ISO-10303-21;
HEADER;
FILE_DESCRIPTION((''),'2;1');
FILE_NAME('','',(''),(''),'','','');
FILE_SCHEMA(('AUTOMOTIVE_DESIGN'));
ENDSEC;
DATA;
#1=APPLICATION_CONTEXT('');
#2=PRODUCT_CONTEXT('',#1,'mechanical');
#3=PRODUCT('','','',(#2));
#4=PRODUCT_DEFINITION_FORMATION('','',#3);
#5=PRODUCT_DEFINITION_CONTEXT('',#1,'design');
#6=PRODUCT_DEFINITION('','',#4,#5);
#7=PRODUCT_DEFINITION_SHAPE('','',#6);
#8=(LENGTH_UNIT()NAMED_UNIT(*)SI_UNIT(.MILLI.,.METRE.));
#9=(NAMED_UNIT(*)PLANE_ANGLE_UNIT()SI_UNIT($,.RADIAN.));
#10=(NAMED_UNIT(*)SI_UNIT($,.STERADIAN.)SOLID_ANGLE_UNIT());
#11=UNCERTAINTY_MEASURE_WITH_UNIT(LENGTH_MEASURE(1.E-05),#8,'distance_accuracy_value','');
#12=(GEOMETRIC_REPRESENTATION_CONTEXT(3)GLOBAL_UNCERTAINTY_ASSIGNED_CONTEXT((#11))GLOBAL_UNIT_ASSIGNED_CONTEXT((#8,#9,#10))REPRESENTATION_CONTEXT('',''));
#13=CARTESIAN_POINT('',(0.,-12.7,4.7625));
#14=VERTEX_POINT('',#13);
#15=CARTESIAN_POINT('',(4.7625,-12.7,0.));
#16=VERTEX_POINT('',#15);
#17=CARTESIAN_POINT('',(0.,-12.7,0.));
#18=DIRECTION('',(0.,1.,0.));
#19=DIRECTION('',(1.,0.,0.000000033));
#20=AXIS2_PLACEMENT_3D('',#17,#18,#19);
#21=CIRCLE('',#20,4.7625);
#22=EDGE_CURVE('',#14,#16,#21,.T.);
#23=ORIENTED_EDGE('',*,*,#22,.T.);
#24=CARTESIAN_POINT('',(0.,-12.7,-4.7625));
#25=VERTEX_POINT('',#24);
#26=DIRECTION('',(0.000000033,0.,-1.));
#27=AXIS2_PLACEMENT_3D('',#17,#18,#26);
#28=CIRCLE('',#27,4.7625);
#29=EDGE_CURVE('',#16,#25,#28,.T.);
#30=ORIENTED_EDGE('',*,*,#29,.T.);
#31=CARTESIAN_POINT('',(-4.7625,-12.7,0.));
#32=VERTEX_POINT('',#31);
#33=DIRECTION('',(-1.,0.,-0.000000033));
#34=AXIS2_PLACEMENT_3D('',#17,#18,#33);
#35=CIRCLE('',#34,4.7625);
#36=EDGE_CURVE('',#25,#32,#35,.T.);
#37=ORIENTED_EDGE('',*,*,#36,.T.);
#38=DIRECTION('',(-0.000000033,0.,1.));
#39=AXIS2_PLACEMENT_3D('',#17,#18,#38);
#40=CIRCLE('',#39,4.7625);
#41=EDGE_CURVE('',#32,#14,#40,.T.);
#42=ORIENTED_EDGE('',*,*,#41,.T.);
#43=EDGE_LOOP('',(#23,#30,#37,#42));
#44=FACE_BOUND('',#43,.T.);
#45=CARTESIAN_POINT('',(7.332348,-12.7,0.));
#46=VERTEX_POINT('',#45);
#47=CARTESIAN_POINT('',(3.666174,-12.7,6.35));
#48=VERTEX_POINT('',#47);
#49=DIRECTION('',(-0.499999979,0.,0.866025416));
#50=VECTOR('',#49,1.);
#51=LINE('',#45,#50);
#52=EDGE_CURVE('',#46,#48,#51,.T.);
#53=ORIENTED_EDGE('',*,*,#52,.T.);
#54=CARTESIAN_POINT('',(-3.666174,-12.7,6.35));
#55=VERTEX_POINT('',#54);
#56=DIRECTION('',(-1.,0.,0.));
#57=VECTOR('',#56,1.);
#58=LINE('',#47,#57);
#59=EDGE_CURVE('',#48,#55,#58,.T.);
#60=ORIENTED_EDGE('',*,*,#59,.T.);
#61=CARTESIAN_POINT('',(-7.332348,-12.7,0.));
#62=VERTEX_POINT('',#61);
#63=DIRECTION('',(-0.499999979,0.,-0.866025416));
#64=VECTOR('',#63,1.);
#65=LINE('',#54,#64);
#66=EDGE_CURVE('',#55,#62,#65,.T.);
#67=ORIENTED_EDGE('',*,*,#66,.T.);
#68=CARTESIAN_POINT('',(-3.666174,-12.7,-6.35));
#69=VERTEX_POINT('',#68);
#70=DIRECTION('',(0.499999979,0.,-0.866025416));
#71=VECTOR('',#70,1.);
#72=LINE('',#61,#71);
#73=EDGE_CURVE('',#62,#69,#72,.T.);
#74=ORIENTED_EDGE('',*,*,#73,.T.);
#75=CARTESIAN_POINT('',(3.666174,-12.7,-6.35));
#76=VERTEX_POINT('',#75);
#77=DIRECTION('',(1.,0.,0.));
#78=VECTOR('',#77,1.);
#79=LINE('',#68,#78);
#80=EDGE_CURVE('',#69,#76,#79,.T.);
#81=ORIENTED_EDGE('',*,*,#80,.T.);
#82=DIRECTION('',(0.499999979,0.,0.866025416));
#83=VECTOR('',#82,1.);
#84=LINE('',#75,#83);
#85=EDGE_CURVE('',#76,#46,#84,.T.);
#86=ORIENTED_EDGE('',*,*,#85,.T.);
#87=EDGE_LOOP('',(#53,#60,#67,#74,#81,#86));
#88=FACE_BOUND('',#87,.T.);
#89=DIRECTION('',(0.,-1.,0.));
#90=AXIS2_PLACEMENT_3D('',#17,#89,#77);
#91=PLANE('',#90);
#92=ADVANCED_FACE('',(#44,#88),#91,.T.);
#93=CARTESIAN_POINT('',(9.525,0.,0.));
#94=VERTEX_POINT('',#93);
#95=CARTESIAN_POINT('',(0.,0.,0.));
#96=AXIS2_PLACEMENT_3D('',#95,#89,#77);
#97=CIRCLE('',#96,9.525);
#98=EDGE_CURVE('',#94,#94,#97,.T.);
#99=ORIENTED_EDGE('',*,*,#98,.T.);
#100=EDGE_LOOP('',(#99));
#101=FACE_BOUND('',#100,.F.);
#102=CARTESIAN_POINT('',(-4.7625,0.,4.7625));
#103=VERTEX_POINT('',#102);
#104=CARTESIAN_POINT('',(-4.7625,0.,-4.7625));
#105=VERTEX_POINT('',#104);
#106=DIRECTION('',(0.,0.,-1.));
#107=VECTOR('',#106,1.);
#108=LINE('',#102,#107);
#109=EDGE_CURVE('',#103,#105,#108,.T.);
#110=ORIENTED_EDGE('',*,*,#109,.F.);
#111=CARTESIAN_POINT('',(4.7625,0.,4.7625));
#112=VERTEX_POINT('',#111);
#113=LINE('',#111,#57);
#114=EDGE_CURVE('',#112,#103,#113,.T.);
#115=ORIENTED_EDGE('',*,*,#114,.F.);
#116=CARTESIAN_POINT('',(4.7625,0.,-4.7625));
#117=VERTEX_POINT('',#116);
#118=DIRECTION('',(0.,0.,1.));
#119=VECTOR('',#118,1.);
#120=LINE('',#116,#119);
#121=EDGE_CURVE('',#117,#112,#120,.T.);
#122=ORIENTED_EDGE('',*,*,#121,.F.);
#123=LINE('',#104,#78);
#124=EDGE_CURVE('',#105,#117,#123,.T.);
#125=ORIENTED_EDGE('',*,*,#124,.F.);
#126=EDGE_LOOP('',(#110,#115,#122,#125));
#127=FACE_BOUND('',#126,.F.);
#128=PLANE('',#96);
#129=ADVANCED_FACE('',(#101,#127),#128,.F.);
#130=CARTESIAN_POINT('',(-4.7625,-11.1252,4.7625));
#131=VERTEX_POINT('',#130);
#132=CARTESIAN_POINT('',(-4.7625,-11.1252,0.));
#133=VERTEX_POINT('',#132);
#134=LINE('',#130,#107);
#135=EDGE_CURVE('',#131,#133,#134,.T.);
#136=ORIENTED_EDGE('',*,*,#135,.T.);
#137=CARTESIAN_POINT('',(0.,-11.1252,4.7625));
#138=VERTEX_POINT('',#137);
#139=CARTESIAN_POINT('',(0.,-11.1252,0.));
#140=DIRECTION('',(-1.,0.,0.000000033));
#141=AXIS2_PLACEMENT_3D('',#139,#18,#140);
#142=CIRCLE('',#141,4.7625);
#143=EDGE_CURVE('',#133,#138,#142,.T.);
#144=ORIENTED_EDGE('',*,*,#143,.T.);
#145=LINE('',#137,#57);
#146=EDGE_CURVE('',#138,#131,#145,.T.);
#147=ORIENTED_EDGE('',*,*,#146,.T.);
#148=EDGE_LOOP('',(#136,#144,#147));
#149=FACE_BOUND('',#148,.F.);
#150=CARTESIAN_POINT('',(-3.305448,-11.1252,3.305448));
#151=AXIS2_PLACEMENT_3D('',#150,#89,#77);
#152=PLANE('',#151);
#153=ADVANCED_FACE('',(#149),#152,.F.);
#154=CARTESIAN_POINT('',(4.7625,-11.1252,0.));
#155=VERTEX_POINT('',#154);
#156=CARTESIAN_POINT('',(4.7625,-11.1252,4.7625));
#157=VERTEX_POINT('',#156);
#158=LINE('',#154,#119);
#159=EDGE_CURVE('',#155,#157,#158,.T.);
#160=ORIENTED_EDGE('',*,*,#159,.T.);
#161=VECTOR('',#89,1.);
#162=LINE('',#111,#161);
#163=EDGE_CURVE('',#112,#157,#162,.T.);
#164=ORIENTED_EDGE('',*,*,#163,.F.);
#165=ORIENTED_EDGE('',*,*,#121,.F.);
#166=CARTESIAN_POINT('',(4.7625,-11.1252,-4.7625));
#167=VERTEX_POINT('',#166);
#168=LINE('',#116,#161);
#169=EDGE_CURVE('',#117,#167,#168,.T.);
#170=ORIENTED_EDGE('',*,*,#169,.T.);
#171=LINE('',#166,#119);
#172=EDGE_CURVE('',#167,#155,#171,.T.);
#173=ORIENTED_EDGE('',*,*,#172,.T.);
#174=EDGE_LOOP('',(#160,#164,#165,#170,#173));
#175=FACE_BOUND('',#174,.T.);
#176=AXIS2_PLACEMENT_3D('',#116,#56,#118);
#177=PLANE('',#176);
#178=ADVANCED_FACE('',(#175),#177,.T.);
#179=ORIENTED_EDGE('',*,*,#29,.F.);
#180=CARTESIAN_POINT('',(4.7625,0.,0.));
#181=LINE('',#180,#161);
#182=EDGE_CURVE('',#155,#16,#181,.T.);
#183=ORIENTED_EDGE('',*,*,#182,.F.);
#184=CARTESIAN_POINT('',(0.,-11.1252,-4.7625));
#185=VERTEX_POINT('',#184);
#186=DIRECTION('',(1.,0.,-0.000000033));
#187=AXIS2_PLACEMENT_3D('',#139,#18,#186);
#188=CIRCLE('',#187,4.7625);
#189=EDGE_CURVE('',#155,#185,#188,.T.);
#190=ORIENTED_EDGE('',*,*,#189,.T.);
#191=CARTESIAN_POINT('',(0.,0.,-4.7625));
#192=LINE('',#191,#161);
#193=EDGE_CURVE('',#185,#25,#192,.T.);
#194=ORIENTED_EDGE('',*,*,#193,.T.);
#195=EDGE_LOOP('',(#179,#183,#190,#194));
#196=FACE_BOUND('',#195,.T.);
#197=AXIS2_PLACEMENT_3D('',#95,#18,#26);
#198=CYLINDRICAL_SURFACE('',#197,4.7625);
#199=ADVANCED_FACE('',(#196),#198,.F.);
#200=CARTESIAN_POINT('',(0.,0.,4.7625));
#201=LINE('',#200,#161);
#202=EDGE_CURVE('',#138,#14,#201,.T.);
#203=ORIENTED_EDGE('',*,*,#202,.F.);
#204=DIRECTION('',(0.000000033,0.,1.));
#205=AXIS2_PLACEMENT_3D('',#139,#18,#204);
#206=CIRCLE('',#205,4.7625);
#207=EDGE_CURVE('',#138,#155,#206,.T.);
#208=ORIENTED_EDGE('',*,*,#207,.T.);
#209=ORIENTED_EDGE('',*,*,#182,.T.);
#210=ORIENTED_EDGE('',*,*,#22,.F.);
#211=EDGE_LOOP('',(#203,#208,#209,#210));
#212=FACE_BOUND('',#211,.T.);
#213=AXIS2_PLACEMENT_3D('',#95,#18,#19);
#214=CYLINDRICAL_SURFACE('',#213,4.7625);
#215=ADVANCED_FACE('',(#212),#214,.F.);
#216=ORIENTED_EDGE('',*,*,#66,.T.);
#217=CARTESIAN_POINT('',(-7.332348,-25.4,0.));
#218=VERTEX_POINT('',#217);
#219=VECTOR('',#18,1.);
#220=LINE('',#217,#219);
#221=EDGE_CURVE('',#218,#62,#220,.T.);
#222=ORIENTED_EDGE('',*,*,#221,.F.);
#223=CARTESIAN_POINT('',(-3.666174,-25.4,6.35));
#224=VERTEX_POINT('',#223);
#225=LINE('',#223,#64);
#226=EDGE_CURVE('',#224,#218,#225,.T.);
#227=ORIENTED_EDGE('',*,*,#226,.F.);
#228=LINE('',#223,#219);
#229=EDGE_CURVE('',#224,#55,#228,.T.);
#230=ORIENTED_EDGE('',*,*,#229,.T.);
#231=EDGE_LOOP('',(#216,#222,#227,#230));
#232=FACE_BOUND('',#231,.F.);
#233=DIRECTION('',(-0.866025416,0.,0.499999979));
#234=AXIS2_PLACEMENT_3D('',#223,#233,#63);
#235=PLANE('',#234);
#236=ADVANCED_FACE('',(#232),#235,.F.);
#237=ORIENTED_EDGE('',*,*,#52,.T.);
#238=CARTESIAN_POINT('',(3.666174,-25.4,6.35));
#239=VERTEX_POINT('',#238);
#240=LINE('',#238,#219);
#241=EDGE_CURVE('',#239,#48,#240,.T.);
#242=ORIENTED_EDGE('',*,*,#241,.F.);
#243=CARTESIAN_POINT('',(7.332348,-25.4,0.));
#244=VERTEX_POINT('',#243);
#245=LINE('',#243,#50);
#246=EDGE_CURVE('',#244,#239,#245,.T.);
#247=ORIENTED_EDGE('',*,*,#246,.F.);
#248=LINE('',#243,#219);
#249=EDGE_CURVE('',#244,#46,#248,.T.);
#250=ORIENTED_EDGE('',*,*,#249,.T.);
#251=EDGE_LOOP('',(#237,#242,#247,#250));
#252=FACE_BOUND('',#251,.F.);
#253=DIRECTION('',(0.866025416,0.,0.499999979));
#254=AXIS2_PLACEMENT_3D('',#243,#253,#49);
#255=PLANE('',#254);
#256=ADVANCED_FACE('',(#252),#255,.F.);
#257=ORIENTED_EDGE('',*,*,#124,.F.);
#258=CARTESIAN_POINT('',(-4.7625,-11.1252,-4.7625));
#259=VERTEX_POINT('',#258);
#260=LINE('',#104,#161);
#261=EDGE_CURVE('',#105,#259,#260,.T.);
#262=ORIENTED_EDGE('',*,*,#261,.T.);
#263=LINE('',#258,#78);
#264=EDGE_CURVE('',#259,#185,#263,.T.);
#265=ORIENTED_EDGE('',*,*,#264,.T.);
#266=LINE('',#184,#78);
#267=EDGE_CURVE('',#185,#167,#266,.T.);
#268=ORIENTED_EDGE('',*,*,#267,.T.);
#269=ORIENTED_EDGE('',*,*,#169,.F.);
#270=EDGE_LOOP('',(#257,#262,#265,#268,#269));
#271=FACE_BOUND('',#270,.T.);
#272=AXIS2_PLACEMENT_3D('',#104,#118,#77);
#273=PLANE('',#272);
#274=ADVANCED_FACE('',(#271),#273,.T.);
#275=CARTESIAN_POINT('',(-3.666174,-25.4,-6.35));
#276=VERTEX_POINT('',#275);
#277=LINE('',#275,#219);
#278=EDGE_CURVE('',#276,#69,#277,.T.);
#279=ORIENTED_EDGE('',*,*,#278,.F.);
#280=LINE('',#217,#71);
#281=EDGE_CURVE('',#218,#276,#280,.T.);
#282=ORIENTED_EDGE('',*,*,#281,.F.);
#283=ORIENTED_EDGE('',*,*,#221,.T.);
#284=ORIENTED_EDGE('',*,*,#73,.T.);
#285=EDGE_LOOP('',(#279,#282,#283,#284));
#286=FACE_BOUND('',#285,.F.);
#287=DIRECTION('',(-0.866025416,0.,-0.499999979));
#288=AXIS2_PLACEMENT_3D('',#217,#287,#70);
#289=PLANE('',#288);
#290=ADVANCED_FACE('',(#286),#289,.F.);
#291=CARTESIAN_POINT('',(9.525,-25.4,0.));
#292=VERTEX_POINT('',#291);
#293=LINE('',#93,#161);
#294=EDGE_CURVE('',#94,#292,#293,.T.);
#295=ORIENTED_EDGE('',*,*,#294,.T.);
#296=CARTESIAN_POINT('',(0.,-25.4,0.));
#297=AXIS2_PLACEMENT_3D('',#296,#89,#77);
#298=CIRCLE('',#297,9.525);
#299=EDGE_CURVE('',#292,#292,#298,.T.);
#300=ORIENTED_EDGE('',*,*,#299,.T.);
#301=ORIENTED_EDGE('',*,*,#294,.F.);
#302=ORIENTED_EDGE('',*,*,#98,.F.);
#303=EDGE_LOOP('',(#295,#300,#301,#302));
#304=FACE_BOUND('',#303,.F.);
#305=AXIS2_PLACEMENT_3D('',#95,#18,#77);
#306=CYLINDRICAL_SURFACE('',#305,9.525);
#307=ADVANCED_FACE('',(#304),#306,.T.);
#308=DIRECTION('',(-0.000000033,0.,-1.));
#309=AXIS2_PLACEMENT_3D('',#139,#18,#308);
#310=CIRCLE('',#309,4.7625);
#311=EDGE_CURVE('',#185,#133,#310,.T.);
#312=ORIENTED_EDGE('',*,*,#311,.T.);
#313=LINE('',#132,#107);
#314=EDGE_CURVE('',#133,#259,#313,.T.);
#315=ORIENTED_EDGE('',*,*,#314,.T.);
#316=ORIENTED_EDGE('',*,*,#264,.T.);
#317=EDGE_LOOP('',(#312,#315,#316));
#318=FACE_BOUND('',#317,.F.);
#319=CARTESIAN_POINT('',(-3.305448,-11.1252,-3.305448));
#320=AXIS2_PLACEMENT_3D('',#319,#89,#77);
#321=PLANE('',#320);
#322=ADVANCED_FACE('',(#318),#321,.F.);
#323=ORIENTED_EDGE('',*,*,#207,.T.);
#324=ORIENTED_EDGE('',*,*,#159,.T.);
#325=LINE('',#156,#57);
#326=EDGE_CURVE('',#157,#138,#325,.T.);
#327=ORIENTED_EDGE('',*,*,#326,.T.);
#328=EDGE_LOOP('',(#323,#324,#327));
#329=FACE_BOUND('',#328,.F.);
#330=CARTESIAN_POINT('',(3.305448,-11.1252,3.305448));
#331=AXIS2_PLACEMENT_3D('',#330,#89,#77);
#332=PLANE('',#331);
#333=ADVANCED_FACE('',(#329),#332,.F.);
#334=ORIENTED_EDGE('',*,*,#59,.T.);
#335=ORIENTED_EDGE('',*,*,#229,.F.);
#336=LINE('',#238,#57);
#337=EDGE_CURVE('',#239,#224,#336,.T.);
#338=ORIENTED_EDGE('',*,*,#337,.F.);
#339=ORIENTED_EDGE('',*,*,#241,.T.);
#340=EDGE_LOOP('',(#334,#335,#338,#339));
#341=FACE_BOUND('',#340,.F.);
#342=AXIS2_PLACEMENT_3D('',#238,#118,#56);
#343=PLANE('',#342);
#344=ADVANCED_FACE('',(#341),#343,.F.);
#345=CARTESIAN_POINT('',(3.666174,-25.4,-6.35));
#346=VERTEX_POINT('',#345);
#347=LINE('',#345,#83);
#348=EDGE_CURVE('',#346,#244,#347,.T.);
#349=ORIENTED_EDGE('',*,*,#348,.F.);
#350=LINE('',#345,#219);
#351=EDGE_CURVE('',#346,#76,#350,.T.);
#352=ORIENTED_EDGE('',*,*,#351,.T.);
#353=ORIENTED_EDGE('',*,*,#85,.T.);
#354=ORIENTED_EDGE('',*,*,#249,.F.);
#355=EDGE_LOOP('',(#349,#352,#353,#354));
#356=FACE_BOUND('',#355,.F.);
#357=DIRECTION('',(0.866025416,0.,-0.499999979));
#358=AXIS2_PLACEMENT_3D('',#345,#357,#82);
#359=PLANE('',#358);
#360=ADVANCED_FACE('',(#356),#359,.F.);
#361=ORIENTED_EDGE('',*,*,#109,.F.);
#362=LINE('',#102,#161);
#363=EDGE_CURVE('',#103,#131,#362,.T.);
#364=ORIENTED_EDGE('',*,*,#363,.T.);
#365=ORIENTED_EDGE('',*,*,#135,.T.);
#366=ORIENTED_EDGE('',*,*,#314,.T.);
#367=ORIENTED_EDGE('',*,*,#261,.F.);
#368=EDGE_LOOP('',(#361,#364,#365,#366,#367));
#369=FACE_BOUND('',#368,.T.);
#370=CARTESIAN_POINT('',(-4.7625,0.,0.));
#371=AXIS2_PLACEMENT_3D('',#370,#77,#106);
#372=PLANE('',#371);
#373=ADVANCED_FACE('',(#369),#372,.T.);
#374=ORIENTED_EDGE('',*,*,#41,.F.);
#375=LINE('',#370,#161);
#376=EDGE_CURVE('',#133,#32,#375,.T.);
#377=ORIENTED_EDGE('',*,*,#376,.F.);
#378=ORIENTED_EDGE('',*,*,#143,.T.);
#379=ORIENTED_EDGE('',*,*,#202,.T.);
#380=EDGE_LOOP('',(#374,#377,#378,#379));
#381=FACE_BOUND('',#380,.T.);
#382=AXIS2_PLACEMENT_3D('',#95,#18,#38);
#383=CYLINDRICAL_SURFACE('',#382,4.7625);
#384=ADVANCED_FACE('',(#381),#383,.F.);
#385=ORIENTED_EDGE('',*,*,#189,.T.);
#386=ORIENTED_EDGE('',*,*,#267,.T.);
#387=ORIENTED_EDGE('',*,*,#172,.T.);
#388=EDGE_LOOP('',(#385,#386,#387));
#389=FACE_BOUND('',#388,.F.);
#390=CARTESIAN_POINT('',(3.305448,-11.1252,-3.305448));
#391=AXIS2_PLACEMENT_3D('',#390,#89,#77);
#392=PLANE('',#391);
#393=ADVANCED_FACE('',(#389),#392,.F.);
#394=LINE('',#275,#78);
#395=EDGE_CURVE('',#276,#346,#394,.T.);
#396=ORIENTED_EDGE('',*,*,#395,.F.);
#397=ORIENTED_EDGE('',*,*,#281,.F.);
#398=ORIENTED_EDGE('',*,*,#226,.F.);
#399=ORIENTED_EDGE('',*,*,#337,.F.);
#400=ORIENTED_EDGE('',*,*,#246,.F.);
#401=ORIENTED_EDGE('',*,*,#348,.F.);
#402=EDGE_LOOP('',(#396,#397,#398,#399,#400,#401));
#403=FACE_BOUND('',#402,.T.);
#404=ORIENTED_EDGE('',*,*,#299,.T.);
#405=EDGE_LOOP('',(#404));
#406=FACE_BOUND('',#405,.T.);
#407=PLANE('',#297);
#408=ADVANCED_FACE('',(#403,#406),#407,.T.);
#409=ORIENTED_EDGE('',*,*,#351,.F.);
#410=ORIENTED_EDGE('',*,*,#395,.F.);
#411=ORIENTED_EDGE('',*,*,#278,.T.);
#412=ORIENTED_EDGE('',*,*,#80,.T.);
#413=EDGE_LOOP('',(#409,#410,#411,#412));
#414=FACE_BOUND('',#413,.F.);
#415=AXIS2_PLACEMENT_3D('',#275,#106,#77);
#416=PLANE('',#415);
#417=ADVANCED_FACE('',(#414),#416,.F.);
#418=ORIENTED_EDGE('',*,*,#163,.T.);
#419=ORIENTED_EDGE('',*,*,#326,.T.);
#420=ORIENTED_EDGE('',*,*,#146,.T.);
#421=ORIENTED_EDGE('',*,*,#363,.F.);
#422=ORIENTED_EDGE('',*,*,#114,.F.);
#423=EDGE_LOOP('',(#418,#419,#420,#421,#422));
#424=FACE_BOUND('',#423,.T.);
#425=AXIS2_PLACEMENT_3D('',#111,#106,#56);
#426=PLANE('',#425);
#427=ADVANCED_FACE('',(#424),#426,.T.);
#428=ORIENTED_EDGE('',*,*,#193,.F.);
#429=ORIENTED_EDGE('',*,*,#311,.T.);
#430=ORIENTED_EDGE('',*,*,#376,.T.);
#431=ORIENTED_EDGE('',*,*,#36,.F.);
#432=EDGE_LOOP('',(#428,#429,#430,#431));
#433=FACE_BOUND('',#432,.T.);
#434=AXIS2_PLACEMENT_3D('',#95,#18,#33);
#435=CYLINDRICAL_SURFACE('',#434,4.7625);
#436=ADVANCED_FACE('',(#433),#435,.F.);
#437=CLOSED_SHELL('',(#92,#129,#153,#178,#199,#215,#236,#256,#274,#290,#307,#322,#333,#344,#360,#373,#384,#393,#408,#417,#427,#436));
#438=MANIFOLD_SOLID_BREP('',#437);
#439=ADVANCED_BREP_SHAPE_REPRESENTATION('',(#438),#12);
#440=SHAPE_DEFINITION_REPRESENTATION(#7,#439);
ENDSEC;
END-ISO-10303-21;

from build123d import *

# Parameters (mm, degrees)
F0_R     = 9.525
F1_DEPTH = 25.4
F3_DEPTH = 25.401
F4_DEPTH = 11.1252
F6_DEPTH = 12.7


with BuildPart() as f1:
    # F0 (on Front) → F1 (new body)
    with BuildSketch(Plane.XZ):
        Circle(F0_R)
    extrude(amount=F1_DEPTH)

    # F2 (on Front) → F3 (cut, through all)
    with BuildSketch(Plane.XZ):
        with BuildLine():
            ThreePointArc((-4.7625, 0), (-3.367596, -3.367596), (0, -4.7625))
            ThreePointArc((0, -4.7625), (3.367596, -3.367596), (4.7625, 0))
            ThreePointArc((4.7625, 0), (3.367596, 3.367596), (0, 4.7625))
            ThreePointArc((0, 4.7625), (-3.367596, 3.367596), (-4.7625, 0))
        make_face()
    extrude(amount=F3_DEPTH, mode=Mode.SUBTRACT)

    # F2 (on Front) → F4 (cut)
    with BuildSketch(Plane.XZ):
        with BuildLine():
            ThreePointArc((0, 4.7625), (3.367596, 3.367596), (4.7625, 0))
            Line((4.7625, 0), (4.7625, 4.7625))
            Line((4.7625, 4.7625), (0, 4.7625))
        make_face()
        with BuildLine():
            Line((-4.7625, 4.7625), (-4.7625, 0))
            ThreePointArc((-4.7625, 0), (-3.367596, 3.367596), (0, 4.7625))
            Line((0, 4.7625), (-4.7625, 4.7625))
        make_face()
        with BuildLine():
            Line((-4.7625, -4.7625), (0, -4.7625))
            ThreePointArc((0, -4.7625), (-3.367596, -3.367596), (-4.7625, 0))
            Line((-4.7625, 0), (-4.7625, -4.7625))
        make_face()
        with BuildLine():
            Line((0, -4.7625), (4.7625, -4.7625))
            Line((4.7625, -4.7625), (4.7625, 0))
            ThreePointArc((4.7625, 0), (3.367596, -3.367596), (0, -4.7625))
        make_face()
    extrude(amount=F4_DEPTH, mode=Mode.SUBTRACT)

    # F5 (on face) → F6 (cut)
    with BuildSketch(Plane.XZ.offset(25.4)):
        Polygon((3.666174, -6.35), (7.332348, 0), (3.666174, 6.35), (-3.666174, 6.35), (-7.332348, 0), (-3.666174, -6.35), align=None)
    extrude(amount=-F6_DEPTH, mode=Mode.SUBTRACT)


solid = f1.part
